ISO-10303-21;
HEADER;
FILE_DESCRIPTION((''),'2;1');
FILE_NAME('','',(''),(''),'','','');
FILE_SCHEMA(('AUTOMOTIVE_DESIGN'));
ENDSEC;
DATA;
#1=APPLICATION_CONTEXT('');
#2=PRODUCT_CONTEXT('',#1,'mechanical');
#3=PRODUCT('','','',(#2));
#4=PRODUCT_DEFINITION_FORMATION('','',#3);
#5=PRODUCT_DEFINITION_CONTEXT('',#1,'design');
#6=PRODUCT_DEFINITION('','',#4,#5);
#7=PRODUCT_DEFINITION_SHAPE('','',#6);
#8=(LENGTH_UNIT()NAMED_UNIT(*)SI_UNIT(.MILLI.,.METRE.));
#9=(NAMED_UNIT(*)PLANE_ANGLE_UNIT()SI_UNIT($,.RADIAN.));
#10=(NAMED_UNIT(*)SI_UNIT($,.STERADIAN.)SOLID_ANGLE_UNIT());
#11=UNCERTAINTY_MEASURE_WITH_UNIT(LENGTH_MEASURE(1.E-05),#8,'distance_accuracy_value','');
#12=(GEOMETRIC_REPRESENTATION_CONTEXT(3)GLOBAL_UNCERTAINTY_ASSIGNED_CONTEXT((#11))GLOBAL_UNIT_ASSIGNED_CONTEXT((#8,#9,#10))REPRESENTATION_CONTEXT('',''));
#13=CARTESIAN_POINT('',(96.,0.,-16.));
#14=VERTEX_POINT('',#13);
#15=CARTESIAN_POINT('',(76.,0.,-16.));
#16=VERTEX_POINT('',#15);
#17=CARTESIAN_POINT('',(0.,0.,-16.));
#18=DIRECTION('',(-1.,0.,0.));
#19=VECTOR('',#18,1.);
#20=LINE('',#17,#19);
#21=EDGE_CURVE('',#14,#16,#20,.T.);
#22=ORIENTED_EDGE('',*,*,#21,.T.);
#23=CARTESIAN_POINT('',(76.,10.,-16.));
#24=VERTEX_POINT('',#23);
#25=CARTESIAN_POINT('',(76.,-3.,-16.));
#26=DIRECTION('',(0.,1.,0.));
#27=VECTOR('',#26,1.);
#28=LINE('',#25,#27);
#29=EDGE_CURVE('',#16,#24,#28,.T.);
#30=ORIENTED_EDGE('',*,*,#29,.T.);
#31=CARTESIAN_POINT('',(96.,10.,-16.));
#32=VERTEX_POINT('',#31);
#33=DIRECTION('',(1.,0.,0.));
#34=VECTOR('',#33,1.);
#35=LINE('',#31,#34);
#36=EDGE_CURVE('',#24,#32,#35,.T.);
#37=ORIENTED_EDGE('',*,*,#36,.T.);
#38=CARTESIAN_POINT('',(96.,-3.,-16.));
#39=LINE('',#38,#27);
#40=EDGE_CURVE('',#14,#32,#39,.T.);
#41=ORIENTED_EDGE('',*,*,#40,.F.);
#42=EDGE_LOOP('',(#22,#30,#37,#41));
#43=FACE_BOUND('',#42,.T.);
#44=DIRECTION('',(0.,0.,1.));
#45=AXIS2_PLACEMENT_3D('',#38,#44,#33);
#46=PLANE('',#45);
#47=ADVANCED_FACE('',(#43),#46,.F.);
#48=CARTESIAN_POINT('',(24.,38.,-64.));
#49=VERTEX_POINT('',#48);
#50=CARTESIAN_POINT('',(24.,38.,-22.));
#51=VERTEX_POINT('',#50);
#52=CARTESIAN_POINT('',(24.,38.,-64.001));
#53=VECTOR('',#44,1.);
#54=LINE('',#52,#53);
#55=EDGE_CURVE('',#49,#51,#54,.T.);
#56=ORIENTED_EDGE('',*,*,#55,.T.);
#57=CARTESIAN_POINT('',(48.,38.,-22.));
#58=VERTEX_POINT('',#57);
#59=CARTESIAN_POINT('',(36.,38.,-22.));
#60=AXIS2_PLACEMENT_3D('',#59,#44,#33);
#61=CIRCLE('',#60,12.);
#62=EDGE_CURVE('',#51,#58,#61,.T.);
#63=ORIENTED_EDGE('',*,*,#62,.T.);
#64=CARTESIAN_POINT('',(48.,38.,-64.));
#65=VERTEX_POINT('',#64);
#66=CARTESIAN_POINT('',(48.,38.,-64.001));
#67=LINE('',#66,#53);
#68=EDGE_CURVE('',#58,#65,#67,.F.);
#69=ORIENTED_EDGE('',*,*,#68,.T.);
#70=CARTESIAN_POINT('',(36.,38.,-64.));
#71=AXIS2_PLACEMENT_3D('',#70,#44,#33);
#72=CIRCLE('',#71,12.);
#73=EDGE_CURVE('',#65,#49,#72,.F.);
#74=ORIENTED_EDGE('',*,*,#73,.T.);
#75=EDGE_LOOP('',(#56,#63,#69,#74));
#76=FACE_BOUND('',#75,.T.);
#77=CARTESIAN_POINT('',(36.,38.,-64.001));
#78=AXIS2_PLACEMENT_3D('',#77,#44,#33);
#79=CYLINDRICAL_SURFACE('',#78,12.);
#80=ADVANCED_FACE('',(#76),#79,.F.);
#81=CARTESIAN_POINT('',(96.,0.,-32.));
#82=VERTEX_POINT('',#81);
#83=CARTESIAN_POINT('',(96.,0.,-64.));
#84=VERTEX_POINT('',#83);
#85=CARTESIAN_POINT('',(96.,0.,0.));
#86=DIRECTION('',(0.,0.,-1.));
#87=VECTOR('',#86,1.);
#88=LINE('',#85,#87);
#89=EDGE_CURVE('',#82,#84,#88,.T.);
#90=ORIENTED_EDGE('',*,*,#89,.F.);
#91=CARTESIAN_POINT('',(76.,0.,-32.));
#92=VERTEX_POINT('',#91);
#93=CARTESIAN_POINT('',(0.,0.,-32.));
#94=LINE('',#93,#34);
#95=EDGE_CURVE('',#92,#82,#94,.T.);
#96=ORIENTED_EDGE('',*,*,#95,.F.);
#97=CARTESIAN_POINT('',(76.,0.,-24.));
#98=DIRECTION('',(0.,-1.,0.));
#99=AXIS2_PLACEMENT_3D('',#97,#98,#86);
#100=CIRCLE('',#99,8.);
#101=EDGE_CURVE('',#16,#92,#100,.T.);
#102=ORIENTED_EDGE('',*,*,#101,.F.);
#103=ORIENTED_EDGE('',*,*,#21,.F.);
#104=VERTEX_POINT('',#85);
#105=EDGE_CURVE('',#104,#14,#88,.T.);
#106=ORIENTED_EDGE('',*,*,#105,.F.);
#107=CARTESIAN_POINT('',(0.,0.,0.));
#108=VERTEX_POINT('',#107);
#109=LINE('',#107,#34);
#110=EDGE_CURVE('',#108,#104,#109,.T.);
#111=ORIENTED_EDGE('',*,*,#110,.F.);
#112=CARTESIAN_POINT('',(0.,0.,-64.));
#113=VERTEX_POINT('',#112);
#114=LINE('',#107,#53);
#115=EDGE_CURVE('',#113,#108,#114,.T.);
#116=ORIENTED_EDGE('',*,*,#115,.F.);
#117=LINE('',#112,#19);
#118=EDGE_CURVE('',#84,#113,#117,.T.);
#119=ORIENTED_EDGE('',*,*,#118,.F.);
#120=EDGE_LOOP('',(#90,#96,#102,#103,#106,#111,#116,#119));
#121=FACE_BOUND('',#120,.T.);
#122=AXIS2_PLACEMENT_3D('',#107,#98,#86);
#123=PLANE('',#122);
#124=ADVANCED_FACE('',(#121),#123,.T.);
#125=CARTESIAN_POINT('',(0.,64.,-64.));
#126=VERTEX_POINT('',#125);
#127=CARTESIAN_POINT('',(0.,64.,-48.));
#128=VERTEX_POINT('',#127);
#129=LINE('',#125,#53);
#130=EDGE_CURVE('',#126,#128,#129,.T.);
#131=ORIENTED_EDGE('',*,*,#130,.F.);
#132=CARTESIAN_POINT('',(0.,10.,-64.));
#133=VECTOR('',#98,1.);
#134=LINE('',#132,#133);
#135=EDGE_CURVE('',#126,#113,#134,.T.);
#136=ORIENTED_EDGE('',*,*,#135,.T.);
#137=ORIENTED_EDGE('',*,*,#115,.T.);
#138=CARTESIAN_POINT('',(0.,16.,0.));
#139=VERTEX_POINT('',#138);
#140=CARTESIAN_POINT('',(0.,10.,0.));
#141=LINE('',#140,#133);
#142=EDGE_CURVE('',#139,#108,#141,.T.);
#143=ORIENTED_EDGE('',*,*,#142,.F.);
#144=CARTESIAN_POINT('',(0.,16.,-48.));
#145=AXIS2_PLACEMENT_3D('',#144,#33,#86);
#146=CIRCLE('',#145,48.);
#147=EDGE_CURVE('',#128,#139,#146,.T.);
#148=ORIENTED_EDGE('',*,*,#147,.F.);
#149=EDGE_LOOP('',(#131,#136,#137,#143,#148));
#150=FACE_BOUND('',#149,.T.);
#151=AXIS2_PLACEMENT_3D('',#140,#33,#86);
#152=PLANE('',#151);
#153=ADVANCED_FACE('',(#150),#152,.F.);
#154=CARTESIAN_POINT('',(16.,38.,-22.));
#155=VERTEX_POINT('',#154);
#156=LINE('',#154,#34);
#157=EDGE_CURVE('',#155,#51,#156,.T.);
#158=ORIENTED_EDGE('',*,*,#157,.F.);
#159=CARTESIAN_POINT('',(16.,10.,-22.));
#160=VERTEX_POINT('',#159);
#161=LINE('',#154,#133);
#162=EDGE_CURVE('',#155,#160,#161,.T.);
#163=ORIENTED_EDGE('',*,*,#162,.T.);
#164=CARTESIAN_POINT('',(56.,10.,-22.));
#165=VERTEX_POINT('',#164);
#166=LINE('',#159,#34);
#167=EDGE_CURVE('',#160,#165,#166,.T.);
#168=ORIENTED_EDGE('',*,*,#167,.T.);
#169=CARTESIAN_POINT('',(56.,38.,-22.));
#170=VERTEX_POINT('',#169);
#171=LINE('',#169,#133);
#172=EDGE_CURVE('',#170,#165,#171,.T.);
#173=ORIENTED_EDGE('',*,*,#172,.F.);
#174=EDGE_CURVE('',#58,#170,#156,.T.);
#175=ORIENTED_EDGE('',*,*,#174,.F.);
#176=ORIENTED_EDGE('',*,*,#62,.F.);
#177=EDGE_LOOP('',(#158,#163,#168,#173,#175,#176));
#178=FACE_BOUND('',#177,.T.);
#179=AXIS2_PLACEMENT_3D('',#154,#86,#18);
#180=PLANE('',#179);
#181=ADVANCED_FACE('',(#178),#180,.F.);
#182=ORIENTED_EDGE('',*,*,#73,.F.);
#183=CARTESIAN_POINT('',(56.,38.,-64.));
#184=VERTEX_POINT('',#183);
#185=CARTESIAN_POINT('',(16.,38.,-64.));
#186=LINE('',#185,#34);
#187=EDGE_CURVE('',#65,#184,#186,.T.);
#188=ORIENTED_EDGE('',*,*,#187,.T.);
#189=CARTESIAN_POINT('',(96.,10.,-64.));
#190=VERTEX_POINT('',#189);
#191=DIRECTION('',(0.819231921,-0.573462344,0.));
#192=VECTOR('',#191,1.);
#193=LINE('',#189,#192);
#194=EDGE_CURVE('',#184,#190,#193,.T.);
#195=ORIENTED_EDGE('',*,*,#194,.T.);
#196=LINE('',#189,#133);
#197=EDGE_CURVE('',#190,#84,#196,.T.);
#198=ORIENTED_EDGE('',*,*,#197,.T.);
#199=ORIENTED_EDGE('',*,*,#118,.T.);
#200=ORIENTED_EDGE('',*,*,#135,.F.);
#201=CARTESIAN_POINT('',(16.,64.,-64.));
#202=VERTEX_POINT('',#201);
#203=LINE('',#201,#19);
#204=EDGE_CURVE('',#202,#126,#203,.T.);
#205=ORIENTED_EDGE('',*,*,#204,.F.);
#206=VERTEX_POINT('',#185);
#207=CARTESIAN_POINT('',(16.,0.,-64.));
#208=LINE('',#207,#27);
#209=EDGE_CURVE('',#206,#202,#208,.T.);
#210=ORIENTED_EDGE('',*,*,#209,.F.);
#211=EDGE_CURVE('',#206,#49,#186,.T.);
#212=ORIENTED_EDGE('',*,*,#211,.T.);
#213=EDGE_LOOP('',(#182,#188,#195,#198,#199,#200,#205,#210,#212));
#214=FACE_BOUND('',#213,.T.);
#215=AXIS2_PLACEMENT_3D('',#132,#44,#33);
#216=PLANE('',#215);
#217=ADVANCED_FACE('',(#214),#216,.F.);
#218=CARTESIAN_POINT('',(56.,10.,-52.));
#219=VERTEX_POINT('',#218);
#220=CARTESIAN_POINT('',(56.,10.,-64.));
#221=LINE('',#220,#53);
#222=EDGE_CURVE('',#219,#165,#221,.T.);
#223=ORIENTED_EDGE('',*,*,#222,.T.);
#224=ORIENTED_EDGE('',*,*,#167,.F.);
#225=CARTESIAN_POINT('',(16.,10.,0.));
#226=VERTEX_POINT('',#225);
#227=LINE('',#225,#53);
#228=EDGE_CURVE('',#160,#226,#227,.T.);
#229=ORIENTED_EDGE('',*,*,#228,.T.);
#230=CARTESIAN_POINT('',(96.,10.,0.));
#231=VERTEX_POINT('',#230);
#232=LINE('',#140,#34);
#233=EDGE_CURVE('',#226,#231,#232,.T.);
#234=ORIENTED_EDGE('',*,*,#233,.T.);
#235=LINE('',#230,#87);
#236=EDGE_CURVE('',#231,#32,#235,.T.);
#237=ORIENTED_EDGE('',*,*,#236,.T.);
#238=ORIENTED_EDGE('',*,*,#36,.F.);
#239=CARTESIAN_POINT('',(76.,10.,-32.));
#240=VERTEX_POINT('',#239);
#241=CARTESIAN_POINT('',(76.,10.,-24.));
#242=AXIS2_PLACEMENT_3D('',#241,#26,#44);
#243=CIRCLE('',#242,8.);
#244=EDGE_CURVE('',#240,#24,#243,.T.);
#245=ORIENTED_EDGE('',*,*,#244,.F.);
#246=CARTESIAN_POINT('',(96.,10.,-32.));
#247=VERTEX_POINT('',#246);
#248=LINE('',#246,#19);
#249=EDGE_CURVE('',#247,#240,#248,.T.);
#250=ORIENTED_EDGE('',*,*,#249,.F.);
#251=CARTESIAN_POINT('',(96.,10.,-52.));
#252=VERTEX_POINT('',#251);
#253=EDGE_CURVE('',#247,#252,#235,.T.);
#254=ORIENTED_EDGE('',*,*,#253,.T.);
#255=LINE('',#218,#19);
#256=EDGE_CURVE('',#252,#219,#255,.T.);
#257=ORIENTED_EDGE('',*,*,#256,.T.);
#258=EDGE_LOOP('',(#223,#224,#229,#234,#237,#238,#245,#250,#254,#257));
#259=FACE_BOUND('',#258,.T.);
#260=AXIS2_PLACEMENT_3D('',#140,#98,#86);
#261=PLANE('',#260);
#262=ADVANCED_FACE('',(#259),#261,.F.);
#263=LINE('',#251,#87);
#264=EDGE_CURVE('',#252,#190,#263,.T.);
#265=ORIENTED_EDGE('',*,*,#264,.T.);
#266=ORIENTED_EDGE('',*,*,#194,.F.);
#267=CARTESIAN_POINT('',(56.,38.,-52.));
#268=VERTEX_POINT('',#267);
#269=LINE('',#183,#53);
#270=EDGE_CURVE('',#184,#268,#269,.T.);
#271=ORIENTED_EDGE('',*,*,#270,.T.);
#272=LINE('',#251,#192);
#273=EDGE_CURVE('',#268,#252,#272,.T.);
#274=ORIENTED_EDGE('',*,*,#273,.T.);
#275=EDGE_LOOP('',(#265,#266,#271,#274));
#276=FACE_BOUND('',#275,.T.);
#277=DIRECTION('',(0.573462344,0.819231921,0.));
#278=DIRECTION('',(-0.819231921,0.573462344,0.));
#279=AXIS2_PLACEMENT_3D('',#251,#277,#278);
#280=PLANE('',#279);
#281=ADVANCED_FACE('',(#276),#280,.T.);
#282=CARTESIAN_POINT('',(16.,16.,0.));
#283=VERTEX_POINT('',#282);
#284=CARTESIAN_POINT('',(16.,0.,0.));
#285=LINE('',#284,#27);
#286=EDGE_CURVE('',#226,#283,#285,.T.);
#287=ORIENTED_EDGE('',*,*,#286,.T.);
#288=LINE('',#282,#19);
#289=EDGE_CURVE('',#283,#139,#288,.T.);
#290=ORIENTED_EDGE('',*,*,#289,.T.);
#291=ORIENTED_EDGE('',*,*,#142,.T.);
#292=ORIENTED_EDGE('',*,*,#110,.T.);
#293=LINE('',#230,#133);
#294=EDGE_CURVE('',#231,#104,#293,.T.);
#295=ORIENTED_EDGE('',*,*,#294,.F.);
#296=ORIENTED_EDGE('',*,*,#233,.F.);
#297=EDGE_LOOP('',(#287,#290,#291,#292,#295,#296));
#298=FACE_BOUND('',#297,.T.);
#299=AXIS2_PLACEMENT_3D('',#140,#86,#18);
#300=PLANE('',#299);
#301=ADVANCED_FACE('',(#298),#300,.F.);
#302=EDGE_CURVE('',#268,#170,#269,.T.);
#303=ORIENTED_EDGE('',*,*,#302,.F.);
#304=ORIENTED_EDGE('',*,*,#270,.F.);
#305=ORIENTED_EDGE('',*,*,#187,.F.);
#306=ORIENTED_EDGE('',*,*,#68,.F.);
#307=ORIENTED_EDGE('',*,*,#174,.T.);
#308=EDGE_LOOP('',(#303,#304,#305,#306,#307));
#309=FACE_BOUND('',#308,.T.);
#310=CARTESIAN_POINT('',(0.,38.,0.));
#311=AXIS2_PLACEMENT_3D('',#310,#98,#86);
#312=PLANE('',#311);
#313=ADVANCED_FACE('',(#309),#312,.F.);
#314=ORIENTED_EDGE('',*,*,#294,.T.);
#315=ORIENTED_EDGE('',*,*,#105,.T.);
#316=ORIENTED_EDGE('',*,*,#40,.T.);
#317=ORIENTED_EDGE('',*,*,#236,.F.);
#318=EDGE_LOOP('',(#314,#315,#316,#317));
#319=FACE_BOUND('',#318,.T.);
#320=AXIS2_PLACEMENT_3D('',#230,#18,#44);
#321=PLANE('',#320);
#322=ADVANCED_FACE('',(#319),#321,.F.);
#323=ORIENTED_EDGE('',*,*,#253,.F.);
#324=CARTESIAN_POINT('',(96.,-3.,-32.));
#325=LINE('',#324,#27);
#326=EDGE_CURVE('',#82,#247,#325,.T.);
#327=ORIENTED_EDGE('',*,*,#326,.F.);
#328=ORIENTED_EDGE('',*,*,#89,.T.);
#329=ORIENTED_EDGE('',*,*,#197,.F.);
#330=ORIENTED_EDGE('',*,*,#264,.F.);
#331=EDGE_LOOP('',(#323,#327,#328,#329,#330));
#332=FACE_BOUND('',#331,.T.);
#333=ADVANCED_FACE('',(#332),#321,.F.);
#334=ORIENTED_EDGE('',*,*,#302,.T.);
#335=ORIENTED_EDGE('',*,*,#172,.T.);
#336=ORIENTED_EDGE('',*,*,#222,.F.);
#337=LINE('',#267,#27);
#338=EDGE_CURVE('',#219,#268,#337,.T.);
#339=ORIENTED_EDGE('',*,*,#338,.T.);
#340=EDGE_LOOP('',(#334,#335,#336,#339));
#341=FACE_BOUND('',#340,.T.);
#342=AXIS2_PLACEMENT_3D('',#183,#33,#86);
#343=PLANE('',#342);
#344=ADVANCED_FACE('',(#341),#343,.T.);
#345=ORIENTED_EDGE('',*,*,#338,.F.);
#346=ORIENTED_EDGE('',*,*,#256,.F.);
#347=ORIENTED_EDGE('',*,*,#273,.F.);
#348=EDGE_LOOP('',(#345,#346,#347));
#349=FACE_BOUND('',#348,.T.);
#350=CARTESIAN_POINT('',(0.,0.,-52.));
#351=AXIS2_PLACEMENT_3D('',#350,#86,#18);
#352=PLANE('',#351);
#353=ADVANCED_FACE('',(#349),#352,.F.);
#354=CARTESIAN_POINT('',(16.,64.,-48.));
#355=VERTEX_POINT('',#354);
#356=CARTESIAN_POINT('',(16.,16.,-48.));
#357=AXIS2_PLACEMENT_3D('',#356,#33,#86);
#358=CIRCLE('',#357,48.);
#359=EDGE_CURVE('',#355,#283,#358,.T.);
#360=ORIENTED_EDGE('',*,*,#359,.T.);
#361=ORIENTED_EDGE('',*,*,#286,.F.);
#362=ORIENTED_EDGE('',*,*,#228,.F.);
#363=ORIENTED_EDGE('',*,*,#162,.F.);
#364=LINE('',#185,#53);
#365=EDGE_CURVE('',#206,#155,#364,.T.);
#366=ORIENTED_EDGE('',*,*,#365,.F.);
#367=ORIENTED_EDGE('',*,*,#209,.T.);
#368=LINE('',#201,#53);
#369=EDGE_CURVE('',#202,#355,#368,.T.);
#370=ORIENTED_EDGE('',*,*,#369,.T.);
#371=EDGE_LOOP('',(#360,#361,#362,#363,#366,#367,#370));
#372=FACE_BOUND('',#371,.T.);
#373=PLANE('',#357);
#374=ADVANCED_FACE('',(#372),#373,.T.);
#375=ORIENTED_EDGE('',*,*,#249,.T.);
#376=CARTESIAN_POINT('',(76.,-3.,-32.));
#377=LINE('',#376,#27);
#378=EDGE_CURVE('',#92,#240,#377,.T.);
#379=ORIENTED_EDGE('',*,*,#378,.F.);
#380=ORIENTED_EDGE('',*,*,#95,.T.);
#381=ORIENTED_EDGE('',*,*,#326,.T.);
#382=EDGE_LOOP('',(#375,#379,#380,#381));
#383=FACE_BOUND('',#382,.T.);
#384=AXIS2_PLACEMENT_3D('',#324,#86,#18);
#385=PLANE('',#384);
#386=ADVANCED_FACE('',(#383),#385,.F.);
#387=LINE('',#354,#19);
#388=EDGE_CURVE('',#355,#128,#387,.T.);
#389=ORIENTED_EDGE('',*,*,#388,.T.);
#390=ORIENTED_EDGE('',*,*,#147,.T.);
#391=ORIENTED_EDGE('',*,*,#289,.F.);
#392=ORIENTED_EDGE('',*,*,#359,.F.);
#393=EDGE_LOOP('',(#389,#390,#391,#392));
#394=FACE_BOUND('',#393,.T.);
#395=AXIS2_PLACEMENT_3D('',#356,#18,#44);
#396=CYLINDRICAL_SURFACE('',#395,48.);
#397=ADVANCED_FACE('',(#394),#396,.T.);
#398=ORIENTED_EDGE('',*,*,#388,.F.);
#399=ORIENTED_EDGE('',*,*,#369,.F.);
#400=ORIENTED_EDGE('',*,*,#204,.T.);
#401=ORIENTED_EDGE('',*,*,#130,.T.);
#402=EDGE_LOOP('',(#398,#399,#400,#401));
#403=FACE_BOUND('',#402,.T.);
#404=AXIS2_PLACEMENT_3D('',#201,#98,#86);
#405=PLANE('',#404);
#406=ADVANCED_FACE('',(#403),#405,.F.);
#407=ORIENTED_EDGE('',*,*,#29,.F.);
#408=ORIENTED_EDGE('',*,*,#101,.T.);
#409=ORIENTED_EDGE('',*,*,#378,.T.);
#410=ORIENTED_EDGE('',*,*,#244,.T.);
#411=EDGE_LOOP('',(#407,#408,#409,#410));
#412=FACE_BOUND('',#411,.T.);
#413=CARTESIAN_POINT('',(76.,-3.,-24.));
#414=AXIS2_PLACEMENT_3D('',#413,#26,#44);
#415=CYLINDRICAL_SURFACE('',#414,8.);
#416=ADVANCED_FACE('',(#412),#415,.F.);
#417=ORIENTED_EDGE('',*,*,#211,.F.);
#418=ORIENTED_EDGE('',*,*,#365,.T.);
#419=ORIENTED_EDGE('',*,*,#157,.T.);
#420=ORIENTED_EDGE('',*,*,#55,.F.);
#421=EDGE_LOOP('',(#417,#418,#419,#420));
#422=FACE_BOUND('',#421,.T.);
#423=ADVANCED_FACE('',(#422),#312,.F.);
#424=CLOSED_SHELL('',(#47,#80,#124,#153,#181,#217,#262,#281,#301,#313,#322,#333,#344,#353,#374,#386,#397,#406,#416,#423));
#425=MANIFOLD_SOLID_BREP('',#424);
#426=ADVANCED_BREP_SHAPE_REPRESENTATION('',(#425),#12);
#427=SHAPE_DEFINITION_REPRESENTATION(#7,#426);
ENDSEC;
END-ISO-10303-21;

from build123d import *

# Parameters (mm, degrees)
SKETCH2_W           = 96
SKETCH2_H           = 64
BOSS_EXTRUDE1_DEPTH = 10
CUT_EXTRUDE3_DEPTH  = 13
BOSS_EXTRUDE4_DEPTH = 16
SKETCH8_W           = 40
SKETCH8_H           = 42
BOSS_EXTRUDE6_DEPTH = 28
CUT_EXTRUDE4_REACH  = 124.784
SKETCH9_R           = 12
BOSS_EXTRUDE7_DEPTH = 12


with BuildPart() as part:
    # Sketch2 → Boss-Extrude1 (new body)
    with BuildSketch(Plane(origin=(0, 0, 0), x_dir=(1, 0, 0), z_dir=(0, 1, 0))):
        with Locations((48, 32)):
            Rectangle(SKETCH2_W, SKETCH2_H)
    extrude(amount=BOSS_EXTRUDE1_DEPTH)

    # Sketch3 → Cut-Extrude3 (cut)
    with BuildSketch(Plane(origin=(0, 10, 0), x_dir=(1, 0, 0), z_dir=(0, 1, 0))):
        with BuildLine():
            Line((96, 16), (76, 16))
            ThreePointArc((76, 16), (68, 24), (76, 32))
            Line((76, 32), (96, 32))
            ThreePointArc((96, 32), (104, 24), (96, 16))
        make_face()
    extrude(amount=-CUT_EXTRUDE3_DEPTH, mode=Mode.SUBTRACT)

    # Sketch7 → Boss-Extrude4 (add)
    with BuildSketch(Plane.ZY):
        with BuildLine():
            Line((-64, 0), (0, 0))
            Line((0, 0), (0, 16))
            ThreePointArc((0, 16), (-14.058874503, 49.941125497), (-48, 64))
            Line((-48, 64), (-64, 64))
            Line((-64, 64), (-64, 0))
        make_face()
    extrude(amount=-BOSS_EXTRUDE4_DEPTH)

    # Sketch8 → Boss-Extrude6 (add)
    with BuildSketch(Plane(origin=(0, 10, 0), x_dir=(1, 0, 0), z_dir=(0, 1, 0))):
        with Locations((36, 43)):
            Rectangle(SKETCH8_W, SKETCH8_H)
    extrude(amount=BOSS_EXTRUDE6_DEPTH)

    # Sketch9 → Cut-Extrude4 (cut, up to next)
    with BuildSketch(Plane.XY.offset(-22), mode=Mode.PRIVATE) as cut_extrude4_sk1:
        with Locations((36, 38)):
            Circle(SKETCH9_R)
    cut_extrude4_tool1 = extrude(cut_extrude4_sk1.sketch, amount=-CUT_EXTRUDE4_REACH, mode=Mode.PRIVATE) & part.part
    add(cut_extrude4_tool1.solids().sort_by_distance((36, 38, -22))[0], mode=Mode.SUBTRACT)

    # Sketch15 → Boss-Extrude7 (add)
    with BuildSketch(Plane(origin=(0, 0, -64), x_dir=(-1, 0, 0), z_dir=(0, 0, -1))):
        Polygon((-96, 10), (-56, 38), (-56, 10), align=None)
    extrude(amount=-BOSS_EXTRUDE7_DEPTH)


solid = part.part
